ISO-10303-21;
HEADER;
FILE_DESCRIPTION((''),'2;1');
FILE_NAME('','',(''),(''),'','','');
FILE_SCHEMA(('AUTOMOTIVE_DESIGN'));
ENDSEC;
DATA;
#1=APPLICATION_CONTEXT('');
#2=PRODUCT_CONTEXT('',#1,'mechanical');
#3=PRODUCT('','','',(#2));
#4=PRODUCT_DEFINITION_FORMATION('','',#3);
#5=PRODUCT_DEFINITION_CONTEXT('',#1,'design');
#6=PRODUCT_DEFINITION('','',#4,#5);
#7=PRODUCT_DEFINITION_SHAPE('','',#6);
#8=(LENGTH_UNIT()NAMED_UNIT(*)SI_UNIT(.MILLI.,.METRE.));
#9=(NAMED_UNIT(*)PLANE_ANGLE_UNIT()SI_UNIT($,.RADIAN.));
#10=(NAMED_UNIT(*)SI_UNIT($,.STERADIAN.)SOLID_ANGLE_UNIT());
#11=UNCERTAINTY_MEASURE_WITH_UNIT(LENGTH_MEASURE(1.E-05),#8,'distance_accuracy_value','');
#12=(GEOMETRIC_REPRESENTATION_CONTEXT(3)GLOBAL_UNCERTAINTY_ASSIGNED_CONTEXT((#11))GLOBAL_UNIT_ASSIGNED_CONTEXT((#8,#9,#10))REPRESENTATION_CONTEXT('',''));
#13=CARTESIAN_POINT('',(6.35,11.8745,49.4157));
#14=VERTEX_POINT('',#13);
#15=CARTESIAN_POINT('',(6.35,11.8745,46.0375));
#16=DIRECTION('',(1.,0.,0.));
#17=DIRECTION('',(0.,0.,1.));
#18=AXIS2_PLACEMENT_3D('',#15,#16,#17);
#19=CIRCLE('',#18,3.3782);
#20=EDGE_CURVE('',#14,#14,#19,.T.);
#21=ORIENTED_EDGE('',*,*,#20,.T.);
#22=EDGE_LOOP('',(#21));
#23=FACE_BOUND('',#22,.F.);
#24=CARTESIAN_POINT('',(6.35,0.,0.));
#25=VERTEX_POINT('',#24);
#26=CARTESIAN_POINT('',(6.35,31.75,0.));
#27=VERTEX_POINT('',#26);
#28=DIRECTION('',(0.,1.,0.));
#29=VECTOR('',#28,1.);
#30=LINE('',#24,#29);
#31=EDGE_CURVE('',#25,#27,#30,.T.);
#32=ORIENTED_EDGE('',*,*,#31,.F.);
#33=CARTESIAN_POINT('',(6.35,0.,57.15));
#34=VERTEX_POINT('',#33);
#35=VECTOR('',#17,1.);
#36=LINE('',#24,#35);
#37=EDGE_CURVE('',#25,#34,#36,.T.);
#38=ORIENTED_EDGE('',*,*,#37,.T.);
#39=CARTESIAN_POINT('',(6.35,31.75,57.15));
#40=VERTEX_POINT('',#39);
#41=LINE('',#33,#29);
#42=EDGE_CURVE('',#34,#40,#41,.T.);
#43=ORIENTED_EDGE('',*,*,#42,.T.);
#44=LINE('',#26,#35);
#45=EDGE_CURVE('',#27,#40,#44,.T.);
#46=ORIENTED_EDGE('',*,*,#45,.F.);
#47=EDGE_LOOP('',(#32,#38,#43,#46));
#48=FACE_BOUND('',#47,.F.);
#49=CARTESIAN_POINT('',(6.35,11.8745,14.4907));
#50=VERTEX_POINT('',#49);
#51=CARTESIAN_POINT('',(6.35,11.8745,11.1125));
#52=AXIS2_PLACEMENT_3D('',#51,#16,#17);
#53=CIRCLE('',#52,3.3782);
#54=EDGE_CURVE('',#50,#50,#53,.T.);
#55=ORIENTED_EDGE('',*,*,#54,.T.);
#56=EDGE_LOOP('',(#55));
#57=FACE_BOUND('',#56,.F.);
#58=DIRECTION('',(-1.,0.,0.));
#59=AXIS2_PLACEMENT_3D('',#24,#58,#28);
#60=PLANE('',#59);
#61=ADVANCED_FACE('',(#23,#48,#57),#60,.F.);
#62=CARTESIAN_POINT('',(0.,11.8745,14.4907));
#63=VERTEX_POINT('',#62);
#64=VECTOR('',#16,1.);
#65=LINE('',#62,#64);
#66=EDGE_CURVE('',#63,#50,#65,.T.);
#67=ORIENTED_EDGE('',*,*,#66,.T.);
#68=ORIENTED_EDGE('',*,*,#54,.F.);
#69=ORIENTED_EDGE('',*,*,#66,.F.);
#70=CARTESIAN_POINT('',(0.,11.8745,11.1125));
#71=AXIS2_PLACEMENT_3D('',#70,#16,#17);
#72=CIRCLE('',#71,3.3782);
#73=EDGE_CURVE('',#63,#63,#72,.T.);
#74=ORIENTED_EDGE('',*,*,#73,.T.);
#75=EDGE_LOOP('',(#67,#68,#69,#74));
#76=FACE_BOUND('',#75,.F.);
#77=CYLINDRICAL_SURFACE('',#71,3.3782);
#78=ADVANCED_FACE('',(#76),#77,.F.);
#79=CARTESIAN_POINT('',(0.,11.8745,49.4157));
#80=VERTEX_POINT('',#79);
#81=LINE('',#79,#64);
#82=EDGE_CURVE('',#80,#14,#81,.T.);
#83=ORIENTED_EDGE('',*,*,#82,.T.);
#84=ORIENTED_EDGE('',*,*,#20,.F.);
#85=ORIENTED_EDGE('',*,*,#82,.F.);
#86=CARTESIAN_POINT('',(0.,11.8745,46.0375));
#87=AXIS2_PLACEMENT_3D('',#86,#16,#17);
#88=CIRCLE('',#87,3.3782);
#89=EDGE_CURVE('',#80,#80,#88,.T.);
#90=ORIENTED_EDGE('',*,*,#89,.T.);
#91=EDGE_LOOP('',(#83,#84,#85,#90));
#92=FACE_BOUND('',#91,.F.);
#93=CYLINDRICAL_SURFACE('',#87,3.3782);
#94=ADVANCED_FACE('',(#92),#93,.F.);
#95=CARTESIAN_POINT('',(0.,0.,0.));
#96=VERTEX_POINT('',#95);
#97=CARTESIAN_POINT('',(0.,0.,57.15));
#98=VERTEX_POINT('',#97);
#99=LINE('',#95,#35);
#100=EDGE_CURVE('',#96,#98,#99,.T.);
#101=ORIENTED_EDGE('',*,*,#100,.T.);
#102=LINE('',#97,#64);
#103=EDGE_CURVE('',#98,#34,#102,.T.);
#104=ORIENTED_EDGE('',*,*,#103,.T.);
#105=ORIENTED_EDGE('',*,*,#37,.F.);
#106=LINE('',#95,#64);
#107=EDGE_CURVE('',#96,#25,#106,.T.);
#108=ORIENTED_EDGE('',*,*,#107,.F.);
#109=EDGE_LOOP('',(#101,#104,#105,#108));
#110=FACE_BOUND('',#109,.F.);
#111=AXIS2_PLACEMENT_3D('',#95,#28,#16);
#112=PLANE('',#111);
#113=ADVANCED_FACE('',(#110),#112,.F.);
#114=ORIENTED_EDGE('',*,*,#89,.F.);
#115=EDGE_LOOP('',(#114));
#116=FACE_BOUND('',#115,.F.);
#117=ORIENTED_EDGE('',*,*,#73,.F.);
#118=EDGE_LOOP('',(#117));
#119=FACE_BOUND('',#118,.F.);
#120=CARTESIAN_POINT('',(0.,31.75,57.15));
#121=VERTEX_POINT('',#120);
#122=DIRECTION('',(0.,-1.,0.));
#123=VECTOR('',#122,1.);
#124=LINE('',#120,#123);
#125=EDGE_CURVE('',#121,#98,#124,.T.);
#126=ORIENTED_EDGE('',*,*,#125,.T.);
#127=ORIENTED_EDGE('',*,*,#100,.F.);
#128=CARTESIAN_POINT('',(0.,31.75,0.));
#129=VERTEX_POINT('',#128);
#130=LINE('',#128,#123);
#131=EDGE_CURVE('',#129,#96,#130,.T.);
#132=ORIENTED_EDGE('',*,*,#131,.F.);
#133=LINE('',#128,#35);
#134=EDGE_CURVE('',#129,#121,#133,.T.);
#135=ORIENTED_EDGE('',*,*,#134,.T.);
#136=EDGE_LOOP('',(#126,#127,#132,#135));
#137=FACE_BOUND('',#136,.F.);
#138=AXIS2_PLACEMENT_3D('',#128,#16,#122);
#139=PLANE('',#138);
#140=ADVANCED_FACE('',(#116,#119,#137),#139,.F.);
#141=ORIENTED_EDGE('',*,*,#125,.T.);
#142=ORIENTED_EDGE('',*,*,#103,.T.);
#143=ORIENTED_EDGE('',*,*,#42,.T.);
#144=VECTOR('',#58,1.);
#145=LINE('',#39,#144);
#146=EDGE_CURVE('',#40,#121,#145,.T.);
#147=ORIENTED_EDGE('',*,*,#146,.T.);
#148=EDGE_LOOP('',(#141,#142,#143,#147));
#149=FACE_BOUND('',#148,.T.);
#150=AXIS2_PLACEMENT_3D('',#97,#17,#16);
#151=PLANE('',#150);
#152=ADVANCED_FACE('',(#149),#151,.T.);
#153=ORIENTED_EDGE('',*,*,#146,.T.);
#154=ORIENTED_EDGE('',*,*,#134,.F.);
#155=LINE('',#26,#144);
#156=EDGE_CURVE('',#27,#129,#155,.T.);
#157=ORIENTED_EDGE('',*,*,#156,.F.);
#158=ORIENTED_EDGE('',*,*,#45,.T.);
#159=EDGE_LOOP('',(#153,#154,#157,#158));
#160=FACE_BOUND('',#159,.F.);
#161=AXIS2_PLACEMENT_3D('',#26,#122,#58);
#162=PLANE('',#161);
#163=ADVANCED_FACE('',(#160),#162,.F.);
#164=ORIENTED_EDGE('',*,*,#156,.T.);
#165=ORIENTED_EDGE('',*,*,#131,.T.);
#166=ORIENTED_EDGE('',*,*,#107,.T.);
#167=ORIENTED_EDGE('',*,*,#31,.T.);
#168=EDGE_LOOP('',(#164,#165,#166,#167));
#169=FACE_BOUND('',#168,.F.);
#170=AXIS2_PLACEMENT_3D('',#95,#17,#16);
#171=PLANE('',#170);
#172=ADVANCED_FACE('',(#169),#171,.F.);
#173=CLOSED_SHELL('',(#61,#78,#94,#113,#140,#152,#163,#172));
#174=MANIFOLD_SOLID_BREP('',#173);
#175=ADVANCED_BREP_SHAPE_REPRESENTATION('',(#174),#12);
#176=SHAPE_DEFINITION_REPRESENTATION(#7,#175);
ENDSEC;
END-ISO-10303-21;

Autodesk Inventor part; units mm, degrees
ref_plane "YZ Plane" through (0, 0, 0) normal (1, 0, 0) x (0, 1, 0)
ref_plane "XZ Plane" through (0, 0, 0) normal (0, 1, 0) x (-1, 0, 0)
ref_plane "XY Plane" through (0, 0, 0) normal (0, 0, 1) x (1, 0, 0)
sketch "Sketch1" plane through (0, 0, 0) normal (0, 0, 1) x (1, 0, 0)
  line L0 (0, 0) -> (6.35, 0)
  line L1 (6.35, 0) -> (6.35, 31.75)
  line L2 (6.35, 31.75) -> (0, 31.75)
  line L3 (0, 31.75) -> (0, 0)
  dimension "d0" = 6.35
  dimension "d1" = 31.75
extrude "Extrusion1" add sketch "Sketch1" along normal blind 57.15
sketch "Sketch2" plane through (0, 0, 0) normal (-1, 0, 0) x (0, 0, 1)
  line L0 (0, 31.75) -> (0, 0) projected
  line L1 (0, 0) -> (57.15, 0) projected
  line L2 (57.15, 31.75) -> (57.15, 0) projected
  line L3 (0, 31.75) -> (57.15, 31.75) projected
  circle A0 centre (46.355, 1276.985) radius 2.3813 projected
  circle A1 centre (10.795, 1287.145) radius 2.3813 projected
  circle A2 centre (46.355, 1287.145) radius 2.3813 projected
  circle A3 centre (10.795, 1276.985) radius 2.3813 projected
  line L4 (53.975, 28.575) -> (3.175, 28.575) projected
  line L5 (53.975, 28.575) -> (53.975, 1292.225) projected
  line L6 (3.175, 1292.225) -> (53.975, 1292.225) projected
  line L7 (3.175, 28.575) -> (3.175, 1292.225) projected
  circle A4 centre (11.1125, 11.8745) radius 2.4892 projected
  circle A5 centre (46.0375, 11.8745) radius 2.4892 projected
hole "Hole1" at (0, 11.8745, 11.1125) at (0, 11.8745, 46.0375) direction (1, 0, 0) diameter 6.7564 end through all
properties part number "CHA_012_2inCrossSpacer" material "Aluminum 6061"
